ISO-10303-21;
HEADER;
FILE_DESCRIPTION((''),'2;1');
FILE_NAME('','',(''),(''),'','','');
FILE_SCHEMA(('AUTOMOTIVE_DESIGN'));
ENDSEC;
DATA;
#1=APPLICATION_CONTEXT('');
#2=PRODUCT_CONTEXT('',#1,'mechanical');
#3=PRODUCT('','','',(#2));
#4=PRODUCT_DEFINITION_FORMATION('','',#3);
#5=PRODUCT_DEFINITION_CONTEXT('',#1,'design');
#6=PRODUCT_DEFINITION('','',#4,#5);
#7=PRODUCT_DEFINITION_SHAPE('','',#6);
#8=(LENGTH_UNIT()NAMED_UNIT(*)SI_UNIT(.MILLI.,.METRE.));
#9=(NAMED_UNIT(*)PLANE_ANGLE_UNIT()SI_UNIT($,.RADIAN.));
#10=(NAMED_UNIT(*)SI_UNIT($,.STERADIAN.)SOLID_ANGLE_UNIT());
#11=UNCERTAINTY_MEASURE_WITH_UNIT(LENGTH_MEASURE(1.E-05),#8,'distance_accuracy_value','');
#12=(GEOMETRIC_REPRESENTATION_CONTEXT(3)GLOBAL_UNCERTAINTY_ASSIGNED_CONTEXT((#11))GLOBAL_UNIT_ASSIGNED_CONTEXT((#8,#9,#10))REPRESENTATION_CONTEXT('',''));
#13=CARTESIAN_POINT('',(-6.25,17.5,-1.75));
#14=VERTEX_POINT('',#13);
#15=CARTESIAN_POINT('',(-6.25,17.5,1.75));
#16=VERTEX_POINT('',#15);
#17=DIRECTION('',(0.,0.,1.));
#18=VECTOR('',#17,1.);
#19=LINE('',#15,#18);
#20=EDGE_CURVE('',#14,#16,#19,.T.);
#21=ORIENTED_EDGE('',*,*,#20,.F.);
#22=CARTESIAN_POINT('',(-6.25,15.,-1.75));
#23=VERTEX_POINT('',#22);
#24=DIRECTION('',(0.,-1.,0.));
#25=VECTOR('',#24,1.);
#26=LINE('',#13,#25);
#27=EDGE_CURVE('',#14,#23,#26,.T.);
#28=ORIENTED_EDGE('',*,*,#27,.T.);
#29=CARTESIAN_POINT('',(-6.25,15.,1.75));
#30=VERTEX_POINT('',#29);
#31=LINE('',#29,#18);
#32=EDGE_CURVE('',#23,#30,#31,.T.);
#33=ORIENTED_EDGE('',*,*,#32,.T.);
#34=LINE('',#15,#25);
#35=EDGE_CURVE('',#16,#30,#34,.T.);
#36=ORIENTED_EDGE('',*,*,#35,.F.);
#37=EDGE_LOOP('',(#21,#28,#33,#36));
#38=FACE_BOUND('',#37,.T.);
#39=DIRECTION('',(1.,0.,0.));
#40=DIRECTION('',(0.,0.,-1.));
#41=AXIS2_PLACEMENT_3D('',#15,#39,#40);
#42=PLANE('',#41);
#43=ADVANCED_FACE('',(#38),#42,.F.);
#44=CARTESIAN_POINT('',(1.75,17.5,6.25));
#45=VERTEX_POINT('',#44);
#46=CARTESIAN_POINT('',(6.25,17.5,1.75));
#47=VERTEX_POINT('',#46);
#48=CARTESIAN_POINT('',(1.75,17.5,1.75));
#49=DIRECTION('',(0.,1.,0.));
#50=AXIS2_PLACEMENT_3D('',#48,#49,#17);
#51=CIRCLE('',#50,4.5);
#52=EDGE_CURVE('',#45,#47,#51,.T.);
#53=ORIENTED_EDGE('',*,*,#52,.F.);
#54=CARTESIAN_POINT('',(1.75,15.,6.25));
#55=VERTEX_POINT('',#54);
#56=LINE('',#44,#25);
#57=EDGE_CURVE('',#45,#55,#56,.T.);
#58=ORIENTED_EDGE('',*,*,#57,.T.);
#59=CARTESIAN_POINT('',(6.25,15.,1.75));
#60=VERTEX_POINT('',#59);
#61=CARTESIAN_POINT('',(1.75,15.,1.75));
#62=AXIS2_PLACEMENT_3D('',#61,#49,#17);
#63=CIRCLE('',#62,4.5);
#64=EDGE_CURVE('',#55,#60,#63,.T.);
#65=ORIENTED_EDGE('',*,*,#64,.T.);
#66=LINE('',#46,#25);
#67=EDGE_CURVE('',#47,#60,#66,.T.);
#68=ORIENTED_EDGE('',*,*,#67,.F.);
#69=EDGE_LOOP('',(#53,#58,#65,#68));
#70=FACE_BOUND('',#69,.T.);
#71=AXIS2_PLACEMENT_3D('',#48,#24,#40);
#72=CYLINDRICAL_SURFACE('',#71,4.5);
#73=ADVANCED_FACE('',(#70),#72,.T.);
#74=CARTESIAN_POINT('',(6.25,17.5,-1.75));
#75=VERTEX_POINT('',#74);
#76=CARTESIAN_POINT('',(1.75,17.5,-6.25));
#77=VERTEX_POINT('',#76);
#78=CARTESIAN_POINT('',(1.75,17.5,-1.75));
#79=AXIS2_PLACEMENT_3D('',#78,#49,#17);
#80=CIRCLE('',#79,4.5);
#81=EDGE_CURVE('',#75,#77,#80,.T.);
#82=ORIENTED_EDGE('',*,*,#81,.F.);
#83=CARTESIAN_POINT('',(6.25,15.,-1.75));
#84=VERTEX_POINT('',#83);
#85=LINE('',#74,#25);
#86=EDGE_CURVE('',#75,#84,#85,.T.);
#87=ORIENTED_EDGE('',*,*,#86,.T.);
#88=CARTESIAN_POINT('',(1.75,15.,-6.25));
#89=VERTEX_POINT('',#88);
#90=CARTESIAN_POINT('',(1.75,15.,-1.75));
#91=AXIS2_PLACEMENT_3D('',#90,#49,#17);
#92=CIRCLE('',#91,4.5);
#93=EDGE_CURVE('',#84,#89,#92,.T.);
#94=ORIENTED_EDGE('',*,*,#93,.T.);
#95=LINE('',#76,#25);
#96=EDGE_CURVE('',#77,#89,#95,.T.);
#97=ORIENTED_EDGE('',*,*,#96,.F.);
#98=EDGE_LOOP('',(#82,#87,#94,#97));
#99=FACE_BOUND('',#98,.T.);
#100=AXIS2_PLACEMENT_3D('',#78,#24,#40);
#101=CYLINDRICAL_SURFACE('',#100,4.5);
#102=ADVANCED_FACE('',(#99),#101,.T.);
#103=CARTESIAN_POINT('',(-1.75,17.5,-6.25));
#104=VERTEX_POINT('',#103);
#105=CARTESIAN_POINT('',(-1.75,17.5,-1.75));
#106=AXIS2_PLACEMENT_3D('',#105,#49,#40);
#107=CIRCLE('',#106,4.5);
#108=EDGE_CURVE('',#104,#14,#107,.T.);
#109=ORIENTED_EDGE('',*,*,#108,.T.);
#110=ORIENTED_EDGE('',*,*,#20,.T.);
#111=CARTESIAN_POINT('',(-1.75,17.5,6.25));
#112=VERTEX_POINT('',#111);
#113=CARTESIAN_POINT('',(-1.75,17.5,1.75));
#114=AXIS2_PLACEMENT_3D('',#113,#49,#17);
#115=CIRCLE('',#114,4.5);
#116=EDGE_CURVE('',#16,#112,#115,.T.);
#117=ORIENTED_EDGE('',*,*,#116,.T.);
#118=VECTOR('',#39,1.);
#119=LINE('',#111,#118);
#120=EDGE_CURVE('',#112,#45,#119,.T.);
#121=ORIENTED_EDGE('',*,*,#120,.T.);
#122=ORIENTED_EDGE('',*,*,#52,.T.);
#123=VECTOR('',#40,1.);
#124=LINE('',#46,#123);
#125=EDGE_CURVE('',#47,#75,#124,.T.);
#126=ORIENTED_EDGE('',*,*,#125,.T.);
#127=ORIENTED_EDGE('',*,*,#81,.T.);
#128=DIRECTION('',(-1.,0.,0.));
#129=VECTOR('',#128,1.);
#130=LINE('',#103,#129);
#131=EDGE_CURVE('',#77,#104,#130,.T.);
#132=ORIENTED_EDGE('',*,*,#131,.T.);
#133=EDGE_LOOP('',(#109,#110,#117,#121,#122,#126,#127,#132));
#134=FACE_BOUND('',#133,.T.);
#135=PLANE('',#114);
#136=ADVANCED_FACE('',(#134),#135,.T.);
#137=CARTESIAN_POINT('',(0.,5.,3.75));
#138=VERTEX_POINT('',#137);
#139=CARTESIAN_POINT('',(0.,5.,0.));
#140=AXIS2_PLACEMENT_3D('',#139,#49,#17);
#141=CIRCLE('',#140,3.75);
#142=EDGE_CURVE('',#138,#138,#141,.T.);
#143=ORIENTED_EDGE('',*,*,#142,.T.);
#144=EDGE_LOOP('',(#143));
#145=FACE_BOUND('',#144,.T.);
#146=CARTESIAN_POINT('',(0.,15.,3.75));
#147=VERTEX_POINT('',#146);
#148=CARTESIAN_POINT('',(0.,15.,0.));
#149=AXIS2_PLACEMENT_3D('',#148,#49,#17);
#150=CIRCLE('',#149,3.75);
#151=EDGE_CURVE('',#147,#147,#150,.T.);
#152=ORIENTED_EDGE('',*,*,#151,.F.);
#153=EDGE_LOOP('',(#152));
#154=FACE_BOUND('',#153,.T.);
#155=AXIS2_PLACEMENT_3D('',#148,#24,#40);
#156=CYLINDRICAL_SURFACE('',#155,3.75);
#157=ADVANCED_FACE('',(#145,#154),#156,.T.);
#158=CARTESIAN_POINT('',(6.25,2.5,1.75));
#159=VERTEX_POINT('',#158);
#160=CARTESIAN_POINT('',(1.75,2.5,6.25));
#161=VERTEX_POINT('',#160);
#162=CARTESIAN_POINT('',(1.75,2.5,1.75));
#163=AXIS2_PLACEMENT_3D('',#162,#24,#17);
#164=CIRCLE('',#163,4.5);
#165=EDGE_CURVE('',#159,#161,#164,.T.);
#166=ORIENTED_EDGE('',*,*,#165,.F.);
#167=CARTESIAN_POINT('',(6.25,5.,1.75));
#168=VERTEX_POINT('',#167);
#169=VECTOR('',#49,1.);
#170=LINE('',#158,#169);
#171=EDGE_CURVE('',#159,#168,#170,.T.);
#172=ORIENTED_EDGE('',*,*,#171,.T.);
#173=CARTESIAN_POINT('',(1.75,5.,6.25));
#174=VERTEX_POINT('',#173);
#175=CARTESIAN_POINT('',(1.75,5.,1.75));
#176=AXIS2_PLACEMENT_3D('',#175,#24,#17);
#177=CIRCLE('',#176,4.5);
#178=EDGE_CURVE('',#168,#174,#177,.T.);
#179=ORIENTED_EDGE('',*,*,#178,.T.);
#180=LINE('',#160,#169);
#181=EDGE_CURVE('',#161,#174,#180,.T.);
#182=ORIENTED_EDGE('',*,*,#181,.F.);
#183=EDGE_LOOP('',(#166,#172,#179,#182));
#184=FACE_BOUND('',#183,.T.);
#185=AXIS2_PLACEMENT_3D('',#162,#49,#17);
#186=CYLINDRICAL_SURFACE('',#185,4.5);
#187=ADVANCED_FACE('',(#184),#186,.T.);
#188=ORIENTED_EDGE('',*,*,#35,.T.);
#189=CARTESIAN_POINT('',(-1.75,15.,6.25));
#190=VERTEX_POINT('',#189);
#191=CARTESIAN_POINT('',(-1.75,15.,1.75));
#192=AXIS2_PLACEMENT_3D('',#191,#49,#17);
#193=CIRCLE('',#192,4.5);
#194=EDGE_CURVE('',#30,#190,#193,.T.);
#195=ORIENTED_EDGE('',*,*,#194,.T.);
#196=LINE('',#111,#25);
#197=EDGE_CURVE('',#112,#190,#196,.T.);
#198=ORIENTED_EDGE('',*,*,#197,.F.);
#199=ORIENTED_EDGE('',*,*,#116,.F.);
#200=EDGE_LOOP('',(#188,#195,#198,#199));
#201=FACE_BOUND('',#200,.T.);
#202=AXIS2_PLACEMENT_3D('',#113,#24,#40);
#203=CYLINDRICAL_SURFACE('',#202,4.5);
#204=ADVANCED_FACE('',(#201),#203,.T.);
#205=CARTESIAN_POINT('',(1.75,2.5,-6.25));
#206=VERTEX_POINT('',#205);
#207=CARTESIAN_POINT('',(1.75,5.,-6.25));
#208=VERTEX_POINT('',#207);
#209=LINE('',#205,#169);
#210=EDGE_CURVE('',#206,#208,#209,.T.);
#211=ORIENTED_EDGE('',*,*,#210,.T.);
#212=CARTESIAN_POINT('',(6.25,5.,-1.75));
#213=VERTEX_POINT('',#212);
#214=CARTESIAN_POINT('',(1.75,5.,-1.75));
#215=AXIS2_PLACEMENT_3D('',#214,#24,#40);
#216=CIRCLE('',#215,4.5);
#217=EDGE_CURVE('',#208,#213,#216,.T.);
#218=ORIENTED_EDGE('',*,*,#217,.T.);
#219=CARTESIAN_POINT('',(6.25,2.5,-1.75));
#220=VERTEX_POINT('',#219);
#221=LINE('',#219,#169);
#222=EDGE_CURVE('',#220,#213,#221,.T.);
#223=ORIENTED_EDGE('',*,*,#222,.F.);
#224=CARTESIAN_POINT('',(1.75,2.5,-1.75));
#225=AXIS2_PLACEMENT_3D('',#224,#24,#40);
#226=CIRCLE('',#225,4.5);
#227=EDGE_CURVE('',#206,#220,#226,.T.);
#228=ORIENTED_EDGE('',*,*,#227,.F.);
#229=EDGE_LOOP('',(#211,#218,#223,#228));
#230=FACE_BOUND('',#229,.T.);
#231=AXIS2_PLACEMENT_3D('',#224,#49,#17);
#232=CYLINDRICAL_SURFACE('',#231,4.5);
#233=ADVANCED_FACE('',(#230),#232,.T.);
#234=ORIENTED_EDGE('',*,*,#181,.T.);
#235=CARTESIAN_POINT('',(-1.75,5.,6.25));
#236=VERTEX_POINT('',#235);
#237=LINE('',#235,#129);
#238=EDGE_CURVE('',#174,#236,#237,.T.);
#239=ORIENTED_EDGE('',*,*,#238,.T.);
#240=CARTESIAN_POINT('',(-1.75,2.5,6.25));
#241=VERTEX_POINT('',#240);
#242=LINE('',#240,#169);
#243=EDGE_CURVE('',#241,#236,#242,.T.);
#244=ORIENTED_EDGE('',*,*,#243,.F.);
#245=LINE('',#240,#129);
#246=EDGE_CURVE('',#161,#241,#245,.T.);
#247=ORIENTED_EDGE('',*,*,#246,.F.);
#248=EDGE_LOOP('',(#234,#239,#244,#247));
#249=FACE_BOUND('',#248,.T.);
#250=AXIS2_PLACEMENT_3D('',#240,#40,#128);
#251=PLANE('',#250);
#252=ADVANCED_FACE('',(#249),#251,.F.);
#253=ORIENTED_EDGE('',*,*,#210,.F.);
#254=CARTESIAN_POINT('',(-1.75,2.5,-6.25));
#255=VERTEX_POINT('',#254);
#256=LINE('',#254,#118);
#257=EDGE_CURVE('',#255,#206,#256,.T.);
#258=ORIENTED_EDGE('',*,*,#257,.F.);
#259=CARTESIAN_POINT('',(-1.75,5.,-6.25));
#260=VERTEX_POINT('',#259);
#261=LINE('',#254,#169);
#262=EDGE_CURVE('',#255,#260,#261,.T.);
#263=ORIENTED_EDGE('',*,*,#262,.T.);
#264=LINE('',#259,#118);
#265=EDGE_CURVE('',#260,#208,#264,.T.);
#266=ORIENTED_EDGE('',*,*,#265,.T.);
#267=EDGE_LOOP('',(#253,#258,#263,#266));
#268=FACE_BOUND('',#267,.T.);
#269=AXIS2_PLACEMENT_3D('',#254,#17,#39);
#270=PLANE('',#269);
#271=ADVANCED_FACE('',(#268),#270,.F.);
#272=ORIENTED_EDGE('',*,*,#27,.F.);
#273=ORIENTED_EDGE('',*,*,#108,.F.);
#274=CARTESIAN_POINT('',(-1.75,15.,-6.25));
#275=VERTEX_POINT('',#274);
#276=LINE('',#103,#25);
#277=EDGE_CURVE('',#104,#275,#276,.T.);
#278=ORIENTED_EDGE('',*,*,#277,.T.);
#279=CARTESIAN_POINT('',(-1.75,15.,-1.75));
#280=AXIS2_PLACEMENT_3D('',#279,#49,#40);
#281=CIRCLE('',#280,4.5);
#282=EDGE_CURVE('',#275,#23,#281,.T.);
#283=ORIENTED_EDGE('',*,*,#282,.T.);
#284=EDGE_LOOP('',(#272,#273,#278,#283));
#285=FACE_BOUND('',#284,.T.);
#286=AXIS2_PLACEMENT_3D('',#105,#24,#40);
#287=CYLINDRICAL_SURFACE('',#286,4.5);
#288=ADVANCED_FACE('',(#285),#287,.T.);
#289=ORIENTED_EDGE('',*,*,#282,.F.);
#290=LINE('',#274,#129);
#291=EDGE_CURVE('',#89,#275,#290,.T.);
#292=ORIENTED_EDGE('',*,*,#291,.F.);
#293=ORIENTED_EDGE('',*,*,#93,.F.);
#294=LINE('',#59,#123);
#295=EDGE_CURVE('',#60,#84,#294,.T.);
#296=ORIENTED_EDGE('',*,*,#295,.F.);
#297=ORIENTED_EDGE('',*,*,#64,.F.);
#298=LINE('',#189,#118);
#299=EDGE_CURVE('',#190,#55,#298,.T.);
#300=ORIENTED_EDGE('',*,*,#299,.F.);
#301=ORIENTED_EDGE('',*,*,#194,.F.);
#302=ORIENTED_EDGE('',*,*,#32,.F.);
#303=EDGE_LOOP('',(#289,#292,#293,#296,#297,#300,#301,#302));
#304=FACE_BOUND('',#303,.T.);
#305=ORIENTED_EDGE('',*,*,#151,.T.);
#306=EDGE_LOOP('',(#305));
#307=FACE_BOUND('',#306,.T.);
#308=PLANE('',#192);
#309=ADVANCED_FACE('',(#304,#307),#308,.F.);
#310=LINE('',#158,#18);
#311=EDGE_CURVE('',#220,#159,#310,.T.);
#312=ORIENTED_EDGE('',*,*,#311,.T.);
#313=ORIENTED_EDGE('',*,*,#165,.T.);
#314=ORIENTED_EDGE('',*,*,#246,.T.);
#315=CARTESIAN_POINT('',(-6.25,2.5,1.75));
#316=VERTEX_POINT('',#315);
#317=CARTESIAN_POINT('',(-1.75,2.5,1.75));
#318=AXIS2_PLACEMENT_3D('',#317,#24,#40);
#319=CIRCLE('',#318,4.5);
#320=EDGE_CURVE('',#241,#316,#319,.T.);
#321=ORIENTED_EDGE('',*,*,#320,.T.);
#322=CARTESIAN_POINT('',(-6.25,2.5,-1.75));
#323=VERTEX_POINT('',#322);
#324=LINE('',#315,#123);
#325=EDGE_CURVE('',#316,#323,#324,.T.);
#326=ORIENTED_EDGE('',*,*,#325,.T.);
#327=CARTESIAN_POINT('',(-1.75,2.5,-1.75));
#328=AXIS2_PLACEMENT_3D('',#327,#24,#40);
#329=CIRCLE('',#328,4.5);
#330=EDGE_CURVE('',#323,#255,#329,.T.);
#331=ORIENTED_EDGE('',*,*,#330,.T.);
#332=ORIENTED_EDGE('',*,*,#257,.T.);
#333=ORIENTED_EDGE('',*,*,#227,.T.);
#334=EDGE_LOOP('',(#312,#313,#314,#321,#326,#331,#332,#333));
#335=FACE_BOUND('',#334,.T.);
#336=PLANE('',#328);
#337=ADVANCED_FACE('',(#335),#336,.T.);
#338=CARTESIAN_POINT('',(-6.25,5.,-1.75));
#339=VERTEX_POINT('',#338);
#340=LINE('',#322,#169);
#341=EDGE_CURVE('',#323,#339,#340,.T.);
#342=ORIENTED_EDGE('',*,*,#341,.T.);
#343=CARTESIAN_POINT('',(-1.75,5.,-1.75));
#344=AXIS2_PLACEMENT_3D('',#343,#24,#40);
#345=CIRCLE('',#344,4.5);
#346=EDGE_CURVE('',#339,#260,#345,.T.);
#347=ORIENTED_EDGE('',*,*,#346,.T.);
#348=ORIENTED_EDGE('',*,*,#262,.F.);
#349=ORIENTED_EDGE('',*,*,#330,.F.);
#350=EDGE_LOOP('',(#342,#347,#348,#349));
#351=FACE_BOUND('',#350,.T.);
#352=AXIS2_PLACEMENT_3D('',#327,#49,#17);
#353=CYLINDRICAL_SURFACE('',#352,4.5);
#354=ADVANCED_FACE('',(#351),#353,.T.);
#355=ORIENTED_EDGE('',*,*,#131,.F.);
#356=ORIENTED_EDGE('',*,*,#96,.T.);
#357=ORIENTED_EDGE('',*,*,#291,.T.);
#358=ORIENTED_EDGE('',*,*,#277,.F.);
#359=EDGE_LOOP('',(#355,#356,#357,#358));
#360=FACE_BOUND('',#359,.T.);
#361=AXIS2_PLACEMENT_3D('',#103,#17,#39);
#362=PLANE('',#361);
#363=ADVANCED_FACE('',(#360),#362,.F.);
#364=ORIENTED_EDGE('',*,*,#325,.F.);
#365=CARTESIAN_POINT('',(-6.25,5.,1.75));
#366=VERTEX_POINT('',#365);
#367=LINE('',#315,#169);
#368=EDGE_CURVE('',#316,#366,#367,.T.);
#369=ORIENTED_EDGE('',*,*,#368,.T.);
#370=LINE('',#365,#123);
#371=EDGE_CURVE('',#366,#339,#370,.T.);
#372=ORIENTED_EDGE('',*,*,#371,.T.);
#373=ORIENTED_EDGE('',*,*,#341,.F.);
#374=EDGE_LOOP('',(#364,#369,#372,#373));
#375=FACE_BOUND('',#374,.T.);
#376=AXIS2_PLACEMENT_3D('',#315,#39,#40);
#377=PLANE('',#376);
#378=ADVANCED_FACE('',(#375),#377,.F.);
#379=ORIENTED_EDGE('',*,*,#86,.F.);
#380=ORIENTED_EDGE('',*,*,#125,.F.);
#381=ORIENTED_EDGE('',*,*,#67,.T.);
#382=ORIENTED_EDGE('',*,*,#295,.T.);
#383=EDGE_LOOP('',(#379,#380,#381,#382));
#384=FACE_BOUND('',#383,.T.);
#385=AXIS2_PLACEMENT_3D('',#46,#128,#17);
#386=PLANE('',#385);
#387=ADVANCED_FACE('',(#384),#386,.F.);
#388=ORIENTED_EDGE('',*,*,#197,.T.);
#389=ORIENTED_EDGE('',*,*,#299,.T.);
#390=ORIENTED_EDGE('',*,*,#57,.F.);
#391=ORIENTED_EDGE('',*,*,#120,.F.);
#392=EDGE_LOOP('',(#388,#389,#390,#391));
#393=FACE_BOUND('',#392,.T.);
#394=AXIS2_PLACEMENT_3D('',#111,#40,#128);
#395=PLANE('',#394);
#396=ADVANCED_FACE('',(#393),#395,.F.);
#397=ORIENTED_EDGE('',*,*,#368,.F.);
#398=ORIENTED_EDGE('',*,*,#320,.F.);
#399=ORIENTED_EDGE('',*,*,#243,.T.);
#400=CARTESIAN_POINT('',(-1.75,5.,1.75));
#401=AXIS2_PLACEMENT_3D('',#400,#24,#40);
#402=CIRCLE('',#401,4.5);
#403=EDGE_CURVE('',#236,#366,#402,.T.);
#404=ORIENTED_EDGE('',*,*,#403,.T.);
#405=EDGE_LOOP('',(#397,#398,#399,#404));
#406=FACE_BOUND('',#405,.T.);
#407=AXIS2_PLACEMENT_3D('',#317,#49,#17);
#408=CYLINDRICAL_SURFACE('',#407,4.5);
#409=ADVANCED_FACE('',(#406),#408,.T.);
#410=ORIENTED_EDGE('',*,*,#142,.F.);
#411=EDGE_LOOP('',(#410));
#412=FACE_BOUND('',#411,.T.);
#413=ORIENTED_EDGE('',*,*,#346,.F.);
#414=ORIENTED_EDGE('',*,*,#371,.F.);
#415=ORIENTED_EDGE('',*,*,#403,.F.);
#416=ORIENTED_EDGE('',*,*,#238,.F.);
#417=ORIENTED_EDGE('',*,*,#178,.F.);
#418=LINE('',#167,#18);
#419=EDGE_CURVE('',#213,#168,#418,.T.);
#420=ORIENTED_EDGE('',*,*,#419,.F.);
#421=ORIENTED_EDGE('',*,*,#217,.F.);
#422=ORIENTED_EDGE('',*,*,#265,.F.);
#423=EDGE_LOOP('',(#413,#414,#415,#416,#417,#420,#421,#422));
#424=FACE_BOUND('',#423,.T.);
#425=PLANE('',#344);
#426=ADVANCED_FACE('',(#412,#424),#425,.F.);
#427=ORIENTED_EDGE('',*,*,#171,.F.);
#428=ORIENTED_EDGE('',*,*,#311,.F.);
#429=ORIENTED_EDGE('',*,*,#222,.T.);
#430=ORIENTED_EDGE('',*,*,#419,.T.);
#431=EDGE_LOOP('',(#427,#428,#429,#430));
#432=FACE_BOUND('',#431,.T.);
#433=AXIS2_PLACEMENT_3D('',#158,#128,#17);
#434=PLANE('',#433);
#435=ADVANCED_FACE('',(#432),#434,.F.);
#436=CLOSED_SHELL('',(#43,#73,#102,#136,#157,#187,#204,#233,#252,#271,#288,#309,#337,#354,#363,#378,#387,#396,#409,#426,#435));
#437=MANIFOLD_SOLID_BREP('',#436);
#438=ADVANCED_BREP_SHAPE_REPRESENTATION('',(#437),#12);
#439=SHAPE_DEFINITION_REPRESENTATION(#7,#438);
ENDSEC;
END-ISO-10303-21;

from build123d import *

# Parameters (mm, degrees)
SKETCH1_R           = 7.5
BOSS_EXTRUDE1_DEPTH = 20
BOSS_EXTRUDE2_DEPTH = 5
BOSS_EXTRUDE4_START = 5
BOSS_EXTRUDE4_DEPTH = 5
SCALE1_SCALE        = 0.5


with BuildPart() as part:
    # Sketch1 → Boss-Extrude1 (new body)
    with BuildSketch(Plane(origin=(0, 0, 0), x_dir=(1, 0, 0), z_dir=(0, 1, 0))):
        with Locations(Location((0, 0, 0), (0, 0, 270))):
            Circle(SKETCH1_R)
    extrude(amount=BOSS_EXTRUDE1_DEPTH)

    # Sketch2 → Boss-Extrude2 (add)
    with BuildSketch(Plane(origin=(0, 20, 0), x_dir=(1, 0, 0), z_dir=(0, 1, 0))):
        with BuildLine():
            Line((-3.5, -12.5), (3.5, -12.5))
            ThreePointArc((3.5, -12.5), (9.863961031, -9.863961031), (12.5, -3.5))
            Line((12.5, -3.5), (12.5, 3.5))
            ThreePointArc((12.5, 3.5), (9.863961031, 9.863961031), (3.5, 12.5))
            Line((3.5, 12.5), (-3.5, 12.5))
            ThreePointArc((-3.5, 12.5), (-9.863961031, 9.863961031), (-12.5, 3.5))
            Line((-12.5, 3.5), (-12.5, -3.5))
            ThreePointArc((-12.5, -3.5), (-9.863961031, -9.863961031), (-3.5, -12.5))
        make_face()
    extrude(amount=BOSS_EXTRUDE2_DEPTH)

    # Sketch4 → Boss-Extrude4 (add)
    with BuildSketch(Plane.XZ.offset(BOSS_EXTRUDE4_START)):
        with BuildLine():
            Line((-3.5, 12.5), (3.5, 12.5))
            ThreePointArc((3.5, 12.5), (9.863961031, 9.863961031), (12.5, 3.5))
            Line((12.5, 3.5), (12.5, -3.5))
            ThreePointArc((12.5, -3.5), (9.863961031, -9.863961031), (3.5, -12.5))
            Line((3.5, -12.5), (-3.5, -12.5))
            ThreePointArc((-3.5, -12.5), (-9.863961031, -9.863961031), (-12.5, -3.5))
            Line((-12.5, -3.5), (-12.5, 3.5))
            ThreePointArc((-12.5, 3.5), (-9.863961031, 9.863961031), (-3.5, 12.5))
        make_face()
    extrude(amount=-BOSS_EXTRUDE4_DEPTH)


with BuildPart() as part_1:
    # Scale1: scaled about (0, 10, 0)
    add(part.part.scale(SCALE1_SCALE).moved(Location((0, 5, 0))))


solid = part_1.part
